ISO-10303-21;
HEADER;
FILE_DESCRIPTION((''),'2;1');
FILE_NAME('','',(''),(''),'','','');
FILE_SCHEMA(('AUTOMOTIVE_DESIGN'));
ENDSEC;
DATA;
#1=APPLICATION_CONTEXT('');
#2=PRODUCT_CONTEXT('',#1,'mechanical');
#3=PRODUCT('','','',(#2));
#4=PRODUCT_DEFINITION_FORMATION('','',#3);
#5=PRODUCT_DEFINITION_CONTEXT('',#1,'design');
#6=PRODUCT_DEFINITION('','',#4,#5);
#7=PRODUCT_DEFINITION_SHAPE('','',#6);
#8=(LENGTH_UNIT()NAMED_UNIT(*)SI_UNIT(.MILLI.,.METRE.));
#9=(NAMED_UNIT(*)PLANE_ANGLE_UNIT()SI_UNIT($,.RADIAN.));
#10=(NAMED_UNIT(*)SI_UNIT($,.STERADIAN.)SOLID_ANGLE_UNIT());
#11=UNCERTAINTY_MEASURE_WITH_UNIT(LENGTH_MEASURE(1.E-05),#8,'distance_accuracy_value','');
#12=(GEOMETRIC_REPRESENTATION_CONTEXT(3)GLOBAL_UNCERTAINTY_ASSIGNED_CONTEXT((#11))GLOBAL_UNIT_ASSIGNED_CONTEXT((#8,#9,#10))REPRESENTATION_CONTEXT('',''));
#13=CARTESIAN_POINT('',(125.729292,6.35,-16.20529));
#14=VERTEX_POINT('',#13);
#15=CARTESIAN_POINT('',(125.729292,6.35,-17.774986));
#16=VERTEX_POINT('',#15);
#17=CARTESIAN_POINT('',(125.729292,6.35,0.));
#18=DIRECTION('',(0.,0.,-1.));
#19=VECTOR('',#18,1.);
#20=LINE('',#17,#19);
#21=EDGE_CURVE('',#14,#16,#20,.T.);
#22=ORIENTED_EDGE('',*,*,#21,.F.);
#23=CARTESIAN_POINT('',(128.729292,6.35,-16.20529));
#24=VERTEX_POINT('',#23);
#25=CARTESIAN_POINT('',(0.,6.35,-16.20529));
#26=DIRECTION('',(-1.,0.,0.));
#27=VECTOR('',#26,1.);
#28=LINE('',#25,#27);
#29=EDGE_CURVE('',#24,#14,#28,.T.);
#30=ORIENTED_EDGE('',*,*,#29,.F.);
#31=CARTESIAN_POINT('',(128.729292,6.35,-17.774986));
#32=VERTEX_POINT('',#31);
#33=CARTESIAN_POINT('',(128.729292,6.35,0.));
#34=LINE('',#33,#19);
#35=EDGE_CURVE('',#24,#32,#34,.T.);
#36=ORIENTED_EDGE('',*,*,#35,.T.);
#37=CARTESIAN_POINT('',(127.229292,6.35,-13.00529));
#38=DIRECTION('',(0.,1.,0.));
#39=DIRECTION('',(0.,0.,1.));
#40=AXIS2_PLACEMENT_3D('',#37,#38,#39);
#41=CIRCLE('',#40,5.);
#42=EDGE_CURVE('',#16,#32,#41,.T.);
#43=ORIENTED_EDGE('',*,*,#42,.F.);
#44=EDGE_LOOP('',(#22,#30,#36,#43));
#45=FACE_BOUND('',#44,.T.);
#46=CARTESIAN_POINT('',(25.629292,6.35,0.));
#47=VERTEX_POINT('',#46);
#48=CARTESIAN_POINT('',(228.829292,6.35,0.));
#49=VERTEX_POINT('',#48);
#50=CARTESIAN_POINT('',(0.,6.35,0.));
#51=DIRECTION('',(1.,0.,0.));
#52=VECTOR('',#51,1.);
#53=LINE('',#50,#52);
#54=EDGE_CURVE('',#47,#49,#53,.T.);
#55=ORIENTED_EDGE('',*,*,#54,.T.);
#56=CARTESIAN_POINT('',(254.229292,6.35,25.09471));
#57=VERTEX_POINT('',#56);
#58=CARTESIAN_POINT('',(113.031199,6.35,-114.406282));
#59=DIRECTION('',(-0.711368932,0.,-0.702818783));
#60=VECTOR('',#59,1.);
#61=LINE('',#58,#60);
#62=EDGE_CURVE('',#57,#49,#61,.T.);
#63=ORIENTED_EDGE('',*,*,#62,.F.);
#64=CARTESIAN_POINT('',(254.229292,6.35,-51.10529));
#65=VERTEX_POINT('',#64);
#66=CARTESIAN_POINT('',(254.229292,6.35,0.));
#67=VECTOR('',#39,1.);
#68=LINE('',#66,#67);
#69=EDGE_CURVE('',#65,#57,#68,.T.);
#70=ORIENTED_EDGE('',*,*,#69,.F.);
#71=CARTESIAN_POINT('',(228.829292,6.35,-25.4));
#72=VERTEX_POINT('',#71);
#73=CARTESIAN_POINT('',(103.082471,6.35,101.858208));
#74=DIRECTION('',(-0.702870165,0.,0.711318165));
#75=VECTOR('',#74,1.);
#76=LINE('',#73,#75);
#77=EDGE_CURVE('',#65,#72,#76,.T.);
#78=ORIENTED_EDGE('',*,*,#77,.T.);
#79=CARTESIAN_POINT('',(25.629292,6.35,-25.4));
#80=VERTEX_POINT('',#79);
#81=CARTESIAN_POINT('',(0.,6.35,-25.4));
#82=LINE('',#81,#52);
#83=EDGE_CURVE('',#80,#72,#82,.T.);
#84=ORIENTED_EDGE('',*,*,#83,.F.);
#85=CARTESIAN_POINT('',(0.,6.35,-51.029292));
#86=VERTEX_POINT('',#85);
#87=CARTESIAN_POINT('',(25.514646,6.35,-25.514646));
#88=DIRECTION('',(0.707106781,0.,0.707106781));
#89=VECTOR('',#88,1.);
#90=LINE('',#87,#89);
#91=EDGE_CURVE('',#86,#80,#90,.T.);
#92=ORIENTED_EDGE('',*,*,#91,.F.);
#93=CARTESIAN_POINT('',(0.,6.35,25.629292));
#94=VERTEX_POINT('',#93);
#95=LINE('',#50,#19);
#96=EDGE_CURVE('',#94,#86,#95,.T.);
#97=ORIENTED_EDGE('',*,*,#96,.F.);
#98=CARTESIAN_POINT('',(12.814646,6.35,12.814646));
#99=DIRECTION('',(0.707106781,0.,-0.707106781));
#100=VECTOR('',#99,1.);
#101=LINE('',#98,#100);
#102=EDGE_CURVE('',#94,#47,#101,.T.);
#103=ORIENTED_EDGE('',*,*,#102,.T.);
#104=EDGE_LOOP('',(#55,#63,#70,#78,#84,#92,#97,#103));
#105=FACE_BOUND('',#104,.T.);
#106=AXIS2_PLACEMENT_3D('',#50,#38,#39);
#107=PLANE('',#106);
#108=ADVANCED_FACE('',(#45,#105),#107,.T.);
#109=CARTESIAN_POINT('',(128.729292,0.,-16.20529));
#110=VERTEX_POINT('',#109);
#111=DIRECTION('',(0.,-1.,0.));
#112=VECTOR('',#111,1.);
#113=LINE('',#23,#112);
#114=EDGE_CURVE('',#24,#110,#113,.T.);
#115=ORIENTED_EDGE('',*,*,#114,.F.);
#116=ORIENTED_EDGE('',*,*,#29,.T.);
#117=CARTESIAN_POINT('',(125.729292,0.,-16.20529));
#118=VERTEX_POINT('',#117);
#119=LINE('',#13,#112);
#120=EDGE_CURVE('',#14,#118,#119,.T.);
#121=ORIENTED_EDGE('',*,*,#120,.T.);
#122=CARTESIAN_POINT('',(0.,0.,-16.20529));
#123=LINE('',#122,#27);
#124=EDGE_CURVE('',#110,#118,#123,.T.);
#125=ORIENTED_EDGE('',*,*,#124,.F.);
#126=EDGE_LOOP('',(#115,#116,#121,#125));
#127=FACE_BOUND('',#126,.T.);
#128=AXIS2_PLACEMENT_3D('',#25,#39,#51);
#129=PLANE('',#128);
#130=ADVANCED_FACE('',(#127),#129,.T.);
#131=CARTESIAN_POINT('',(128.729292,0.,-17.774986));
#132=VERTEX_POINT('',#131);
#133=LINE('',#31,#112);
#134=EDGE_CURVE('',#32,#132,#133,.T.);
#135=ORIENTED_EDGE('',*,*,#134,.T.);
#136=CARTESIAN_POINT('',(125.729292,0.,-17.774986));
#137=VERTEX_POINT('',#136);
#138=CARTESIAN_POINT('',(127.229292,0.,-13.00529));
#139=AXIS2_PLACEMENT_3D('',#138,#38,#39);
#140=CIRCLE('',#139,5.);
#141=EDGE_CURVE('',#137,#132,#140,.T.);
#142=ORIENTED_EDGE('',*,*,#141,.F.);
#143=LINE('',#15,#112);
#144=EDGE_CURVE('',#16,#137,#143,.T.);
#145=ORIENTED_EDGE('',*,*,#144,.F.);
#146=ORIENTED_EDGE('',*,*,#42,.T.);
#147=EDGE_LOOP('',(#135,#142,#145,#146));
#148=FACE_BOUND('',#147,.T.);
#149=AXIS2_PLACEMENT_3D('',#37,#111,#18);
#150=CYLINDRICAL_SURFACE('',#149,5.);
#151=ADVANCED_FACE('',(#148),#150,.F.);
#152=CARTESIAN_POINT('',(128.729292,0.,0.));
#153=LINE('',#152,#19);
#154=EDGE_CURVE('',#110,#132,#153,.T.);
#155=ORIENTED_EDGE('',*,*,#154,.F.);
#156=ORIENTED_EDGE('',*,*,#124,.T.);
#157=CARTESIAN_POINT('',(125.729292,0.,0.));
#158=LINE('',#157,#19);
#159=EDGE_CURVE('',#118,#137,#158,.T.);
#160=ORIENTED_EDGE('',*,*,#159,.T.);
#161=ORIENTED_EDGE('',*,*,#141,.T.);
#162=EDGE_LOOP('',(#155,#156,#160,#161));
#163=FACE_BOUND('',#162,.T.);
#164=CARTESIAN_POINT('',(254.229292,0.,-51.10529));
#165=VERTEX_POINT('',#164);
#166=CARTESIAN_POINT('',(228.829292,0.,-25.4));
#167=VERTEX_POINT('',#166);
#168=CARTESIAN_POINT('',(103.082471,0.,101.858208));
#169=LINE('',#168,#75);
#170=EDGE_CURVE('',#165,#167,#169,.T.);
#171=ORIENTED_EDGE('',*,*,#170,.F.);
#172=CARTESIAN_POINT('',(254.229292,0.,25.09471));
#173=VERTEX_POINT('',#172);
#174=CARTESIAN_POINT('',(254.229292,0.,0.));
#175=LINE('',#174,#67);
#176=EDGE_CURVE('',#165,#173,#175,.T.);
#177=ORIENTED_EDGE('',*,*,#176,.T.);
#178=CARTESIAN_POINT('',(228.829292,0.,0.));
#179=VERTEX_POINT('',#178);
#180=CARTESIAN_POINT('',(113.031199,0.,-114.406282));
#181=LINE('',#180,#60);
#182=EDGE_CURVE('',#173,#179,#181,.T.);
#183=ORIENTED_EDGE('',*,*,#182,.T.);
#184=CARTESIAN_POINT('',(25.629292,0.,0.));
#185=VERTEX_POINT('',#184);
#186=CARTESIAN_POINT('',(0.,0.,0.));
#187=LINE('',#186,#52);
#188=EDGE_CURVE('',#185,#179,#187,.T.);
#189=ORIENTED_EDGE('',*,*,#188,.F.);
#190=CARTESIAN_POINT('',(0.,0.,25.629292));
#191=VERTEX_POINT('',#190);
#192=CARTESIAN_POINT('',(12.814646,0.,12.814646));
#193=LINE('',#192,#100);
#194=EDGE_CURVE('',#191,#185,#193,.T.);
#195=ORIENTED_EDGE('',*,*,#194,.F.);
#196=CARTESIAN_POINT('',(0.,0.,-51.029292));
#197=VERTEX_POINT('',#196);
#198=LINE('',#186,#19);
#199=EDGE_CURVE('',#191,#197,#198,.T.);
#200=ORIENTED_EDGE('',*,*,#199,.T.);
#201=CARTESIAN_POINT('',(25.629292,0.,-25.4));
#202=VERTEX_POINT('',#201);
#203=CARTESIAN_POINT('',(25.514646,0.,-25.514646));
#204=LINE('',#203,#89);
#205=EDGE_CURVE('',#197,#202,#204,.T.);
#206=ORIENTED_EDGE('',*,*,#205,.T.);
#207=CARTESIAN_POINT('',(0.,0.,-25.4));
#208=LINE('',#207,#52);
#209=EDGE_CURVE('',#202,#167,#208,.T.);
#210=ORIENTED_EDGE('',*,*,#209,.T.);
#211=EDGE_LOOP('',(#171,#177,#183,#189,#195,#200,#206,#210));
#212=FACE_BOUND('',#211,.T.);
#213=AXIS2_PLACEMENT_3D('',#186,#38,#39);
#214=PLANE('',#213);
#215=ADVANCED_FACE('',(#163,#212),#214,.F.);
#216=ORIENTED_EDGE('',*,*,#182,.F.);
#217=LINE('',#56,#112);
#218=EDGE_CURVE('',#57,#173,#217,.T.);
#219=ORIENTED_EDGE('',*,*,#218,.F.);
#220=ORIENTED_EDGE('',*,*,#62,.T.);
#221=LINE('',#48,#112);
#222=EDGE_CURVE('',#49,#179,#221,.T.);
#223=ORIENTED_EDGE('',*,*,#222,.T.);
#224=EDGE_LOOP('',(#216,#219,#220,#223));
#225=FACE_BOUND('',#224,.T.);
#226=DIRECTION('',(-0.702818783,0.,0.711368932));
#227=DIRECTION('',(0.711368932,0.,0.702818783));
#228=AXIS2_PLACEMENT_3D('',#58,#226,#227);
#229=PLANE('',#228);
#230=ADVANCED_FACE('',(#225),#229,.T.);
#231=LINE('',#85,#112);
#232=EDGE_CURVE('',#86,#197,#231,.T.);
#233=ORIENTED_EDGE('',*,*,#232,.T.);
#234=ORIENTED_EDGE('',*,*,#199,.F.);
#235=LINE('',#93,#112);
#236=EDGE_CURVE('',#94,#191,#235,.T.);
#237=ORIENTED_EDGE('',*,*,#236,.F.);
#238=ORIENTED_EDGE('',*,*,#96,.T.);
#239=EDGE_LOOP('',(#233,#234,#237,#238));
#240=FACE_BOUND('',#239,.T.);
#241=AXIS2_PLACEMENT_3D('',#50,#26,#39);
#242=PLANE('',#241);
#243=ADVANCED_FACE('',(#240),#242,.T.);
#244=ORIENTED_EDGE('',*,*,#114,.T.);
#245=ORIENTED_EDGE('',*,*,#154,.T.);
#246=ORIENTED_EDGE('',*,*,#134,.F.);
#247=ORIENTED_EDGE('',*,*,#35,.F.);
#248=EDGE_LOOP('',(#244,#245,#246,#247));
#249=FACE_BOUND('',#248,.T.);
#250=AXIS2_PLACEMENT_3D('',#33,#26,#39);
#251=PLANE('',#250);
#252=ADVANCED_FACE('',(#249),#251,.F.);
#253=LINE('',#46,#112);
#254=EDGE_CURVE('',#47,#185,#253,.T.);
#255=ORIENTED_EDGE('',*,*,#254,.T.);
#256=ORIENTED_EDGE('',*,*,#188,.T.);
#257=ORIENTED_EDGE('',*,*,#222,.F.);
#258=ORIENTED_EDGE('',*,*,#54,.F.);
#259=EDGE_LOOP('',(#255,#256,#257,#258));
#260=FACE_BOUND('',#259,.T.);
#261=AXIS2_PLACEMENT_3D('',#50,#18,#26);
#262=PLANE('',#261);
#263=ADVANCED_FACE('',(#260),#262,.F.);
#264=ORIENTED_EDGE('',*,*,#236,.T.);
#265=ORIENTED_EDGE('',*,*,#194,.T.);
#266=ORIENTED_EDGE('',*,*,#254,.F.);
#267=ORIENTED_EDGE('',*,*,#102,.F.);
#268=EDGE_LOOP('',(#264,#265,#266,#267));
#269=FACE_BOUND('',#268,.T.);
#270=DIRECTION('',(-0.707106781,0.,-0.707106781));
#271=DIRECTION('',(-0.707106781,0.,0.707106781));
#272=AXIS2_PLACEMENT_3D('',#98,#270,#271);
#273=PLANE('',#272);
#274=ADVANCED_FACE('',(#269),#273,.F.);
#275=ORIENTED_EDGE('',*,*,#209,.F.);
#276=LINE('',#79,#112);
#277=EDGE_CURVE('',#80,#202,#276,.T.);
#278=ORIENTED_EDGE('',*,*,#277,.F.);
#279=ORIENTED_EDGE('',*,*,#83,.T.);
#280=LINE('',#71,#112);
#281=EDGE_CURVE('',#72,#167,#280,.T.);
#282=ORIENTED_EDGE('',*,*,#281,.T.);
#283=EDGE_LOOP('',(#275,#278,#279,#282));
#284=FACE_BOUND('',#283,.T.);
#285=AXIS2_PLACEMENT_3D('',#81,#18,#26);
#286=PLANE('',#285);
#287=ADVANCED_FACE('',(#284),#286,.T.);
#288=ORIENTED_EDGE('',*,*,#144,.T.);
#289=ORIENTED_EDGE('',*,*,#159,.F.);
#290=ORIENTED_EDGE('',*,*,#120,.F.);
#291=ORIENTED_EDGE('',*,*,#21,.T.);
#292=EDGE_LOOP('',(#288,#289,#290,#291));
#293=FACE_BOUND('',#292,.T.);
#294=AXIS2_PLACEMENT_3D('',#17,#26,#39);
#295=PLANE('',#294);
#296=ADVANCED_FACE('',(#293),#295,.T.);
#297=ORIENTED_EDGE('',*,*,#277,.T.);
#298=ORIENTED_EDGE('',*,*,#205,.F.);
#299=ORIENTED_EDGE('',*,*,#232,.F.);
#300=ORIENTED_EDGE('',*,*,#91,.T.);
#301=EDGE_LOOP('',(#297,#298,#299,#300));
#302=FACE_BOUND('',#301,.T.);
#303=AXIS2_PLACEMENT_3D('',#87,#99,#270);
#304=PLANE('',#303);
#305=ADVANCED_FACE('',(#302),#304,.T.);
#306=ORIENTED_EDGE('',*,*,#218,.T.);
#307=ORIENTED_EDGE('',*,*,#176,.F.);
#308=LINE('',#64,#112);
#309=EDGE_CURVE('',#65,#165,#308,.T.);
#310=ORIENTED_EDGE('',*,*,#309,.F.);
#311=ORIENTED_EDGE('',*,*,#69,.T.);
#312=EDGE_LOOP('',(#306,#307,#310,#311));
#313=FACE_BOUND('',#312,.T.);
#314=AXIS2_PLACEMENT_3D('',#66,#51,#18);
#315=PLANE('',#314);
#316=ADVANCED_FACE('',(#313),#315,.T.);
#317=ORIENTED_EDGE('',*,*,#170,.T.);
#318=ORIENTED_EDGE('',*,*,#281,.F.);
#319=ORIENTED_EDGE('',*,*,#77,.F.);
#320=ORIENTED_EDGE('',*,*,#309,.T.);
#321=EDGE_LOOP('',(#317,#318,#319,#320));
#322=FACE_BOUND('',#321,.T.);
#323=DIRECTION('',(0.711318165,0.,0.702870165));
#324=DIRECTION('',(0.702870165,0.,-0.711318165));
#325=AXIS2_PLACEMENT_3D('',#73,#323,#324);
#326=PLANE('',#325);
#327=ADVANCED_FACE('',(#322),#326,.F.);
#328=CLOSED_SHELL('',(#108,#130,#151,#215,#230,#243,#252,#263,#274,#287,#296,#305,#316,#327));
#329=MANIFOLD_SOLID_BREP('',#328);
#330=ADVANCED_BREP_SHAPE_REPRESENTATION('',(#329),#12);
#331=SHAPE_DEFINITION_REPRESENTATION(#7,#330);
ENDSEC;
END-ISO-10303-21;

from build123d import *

# Parameters (mm, degrees)
BOSS_EXTRUDE2_DEPTH = 6.35


with BuildPart() as part:
    # Sketch1 → Boss-Extrude2 (new body)
    with BuildSketch(Plane(origin=(0, 0, 0), x_dir=(1, 0, 0), z_dir=(0, 1, 0))):
        Polygon((0, 51.029291752), (0, -25.629291752), (25.629291752, 0), (228.829291752, 0), (254.229291752, -25.094710057), (254.229291752, 51.105289943), (228.829291752, 25.4), (25.629291752, 25.4), align=None)
        with BuildLine():
            Line((125.729291752, 17.77498595), (125.729291752, 16.205289943))
            Line((125.729291752, 16.205289943), (128.729291752, 16.205289943))
            Line((128.729291752, 16.205289943), (128.729291752, 17.77498595))
            ThreePointArc((128.729291752, 17.77498595), (127.229291752, 8.005289943), (125.729291752, 17.77498595))
        make_face(mode=Mode.SUBTRACT)
    extrude(amount=BOSS_EXTRUDE2_DEPTH)


solid = part.part
